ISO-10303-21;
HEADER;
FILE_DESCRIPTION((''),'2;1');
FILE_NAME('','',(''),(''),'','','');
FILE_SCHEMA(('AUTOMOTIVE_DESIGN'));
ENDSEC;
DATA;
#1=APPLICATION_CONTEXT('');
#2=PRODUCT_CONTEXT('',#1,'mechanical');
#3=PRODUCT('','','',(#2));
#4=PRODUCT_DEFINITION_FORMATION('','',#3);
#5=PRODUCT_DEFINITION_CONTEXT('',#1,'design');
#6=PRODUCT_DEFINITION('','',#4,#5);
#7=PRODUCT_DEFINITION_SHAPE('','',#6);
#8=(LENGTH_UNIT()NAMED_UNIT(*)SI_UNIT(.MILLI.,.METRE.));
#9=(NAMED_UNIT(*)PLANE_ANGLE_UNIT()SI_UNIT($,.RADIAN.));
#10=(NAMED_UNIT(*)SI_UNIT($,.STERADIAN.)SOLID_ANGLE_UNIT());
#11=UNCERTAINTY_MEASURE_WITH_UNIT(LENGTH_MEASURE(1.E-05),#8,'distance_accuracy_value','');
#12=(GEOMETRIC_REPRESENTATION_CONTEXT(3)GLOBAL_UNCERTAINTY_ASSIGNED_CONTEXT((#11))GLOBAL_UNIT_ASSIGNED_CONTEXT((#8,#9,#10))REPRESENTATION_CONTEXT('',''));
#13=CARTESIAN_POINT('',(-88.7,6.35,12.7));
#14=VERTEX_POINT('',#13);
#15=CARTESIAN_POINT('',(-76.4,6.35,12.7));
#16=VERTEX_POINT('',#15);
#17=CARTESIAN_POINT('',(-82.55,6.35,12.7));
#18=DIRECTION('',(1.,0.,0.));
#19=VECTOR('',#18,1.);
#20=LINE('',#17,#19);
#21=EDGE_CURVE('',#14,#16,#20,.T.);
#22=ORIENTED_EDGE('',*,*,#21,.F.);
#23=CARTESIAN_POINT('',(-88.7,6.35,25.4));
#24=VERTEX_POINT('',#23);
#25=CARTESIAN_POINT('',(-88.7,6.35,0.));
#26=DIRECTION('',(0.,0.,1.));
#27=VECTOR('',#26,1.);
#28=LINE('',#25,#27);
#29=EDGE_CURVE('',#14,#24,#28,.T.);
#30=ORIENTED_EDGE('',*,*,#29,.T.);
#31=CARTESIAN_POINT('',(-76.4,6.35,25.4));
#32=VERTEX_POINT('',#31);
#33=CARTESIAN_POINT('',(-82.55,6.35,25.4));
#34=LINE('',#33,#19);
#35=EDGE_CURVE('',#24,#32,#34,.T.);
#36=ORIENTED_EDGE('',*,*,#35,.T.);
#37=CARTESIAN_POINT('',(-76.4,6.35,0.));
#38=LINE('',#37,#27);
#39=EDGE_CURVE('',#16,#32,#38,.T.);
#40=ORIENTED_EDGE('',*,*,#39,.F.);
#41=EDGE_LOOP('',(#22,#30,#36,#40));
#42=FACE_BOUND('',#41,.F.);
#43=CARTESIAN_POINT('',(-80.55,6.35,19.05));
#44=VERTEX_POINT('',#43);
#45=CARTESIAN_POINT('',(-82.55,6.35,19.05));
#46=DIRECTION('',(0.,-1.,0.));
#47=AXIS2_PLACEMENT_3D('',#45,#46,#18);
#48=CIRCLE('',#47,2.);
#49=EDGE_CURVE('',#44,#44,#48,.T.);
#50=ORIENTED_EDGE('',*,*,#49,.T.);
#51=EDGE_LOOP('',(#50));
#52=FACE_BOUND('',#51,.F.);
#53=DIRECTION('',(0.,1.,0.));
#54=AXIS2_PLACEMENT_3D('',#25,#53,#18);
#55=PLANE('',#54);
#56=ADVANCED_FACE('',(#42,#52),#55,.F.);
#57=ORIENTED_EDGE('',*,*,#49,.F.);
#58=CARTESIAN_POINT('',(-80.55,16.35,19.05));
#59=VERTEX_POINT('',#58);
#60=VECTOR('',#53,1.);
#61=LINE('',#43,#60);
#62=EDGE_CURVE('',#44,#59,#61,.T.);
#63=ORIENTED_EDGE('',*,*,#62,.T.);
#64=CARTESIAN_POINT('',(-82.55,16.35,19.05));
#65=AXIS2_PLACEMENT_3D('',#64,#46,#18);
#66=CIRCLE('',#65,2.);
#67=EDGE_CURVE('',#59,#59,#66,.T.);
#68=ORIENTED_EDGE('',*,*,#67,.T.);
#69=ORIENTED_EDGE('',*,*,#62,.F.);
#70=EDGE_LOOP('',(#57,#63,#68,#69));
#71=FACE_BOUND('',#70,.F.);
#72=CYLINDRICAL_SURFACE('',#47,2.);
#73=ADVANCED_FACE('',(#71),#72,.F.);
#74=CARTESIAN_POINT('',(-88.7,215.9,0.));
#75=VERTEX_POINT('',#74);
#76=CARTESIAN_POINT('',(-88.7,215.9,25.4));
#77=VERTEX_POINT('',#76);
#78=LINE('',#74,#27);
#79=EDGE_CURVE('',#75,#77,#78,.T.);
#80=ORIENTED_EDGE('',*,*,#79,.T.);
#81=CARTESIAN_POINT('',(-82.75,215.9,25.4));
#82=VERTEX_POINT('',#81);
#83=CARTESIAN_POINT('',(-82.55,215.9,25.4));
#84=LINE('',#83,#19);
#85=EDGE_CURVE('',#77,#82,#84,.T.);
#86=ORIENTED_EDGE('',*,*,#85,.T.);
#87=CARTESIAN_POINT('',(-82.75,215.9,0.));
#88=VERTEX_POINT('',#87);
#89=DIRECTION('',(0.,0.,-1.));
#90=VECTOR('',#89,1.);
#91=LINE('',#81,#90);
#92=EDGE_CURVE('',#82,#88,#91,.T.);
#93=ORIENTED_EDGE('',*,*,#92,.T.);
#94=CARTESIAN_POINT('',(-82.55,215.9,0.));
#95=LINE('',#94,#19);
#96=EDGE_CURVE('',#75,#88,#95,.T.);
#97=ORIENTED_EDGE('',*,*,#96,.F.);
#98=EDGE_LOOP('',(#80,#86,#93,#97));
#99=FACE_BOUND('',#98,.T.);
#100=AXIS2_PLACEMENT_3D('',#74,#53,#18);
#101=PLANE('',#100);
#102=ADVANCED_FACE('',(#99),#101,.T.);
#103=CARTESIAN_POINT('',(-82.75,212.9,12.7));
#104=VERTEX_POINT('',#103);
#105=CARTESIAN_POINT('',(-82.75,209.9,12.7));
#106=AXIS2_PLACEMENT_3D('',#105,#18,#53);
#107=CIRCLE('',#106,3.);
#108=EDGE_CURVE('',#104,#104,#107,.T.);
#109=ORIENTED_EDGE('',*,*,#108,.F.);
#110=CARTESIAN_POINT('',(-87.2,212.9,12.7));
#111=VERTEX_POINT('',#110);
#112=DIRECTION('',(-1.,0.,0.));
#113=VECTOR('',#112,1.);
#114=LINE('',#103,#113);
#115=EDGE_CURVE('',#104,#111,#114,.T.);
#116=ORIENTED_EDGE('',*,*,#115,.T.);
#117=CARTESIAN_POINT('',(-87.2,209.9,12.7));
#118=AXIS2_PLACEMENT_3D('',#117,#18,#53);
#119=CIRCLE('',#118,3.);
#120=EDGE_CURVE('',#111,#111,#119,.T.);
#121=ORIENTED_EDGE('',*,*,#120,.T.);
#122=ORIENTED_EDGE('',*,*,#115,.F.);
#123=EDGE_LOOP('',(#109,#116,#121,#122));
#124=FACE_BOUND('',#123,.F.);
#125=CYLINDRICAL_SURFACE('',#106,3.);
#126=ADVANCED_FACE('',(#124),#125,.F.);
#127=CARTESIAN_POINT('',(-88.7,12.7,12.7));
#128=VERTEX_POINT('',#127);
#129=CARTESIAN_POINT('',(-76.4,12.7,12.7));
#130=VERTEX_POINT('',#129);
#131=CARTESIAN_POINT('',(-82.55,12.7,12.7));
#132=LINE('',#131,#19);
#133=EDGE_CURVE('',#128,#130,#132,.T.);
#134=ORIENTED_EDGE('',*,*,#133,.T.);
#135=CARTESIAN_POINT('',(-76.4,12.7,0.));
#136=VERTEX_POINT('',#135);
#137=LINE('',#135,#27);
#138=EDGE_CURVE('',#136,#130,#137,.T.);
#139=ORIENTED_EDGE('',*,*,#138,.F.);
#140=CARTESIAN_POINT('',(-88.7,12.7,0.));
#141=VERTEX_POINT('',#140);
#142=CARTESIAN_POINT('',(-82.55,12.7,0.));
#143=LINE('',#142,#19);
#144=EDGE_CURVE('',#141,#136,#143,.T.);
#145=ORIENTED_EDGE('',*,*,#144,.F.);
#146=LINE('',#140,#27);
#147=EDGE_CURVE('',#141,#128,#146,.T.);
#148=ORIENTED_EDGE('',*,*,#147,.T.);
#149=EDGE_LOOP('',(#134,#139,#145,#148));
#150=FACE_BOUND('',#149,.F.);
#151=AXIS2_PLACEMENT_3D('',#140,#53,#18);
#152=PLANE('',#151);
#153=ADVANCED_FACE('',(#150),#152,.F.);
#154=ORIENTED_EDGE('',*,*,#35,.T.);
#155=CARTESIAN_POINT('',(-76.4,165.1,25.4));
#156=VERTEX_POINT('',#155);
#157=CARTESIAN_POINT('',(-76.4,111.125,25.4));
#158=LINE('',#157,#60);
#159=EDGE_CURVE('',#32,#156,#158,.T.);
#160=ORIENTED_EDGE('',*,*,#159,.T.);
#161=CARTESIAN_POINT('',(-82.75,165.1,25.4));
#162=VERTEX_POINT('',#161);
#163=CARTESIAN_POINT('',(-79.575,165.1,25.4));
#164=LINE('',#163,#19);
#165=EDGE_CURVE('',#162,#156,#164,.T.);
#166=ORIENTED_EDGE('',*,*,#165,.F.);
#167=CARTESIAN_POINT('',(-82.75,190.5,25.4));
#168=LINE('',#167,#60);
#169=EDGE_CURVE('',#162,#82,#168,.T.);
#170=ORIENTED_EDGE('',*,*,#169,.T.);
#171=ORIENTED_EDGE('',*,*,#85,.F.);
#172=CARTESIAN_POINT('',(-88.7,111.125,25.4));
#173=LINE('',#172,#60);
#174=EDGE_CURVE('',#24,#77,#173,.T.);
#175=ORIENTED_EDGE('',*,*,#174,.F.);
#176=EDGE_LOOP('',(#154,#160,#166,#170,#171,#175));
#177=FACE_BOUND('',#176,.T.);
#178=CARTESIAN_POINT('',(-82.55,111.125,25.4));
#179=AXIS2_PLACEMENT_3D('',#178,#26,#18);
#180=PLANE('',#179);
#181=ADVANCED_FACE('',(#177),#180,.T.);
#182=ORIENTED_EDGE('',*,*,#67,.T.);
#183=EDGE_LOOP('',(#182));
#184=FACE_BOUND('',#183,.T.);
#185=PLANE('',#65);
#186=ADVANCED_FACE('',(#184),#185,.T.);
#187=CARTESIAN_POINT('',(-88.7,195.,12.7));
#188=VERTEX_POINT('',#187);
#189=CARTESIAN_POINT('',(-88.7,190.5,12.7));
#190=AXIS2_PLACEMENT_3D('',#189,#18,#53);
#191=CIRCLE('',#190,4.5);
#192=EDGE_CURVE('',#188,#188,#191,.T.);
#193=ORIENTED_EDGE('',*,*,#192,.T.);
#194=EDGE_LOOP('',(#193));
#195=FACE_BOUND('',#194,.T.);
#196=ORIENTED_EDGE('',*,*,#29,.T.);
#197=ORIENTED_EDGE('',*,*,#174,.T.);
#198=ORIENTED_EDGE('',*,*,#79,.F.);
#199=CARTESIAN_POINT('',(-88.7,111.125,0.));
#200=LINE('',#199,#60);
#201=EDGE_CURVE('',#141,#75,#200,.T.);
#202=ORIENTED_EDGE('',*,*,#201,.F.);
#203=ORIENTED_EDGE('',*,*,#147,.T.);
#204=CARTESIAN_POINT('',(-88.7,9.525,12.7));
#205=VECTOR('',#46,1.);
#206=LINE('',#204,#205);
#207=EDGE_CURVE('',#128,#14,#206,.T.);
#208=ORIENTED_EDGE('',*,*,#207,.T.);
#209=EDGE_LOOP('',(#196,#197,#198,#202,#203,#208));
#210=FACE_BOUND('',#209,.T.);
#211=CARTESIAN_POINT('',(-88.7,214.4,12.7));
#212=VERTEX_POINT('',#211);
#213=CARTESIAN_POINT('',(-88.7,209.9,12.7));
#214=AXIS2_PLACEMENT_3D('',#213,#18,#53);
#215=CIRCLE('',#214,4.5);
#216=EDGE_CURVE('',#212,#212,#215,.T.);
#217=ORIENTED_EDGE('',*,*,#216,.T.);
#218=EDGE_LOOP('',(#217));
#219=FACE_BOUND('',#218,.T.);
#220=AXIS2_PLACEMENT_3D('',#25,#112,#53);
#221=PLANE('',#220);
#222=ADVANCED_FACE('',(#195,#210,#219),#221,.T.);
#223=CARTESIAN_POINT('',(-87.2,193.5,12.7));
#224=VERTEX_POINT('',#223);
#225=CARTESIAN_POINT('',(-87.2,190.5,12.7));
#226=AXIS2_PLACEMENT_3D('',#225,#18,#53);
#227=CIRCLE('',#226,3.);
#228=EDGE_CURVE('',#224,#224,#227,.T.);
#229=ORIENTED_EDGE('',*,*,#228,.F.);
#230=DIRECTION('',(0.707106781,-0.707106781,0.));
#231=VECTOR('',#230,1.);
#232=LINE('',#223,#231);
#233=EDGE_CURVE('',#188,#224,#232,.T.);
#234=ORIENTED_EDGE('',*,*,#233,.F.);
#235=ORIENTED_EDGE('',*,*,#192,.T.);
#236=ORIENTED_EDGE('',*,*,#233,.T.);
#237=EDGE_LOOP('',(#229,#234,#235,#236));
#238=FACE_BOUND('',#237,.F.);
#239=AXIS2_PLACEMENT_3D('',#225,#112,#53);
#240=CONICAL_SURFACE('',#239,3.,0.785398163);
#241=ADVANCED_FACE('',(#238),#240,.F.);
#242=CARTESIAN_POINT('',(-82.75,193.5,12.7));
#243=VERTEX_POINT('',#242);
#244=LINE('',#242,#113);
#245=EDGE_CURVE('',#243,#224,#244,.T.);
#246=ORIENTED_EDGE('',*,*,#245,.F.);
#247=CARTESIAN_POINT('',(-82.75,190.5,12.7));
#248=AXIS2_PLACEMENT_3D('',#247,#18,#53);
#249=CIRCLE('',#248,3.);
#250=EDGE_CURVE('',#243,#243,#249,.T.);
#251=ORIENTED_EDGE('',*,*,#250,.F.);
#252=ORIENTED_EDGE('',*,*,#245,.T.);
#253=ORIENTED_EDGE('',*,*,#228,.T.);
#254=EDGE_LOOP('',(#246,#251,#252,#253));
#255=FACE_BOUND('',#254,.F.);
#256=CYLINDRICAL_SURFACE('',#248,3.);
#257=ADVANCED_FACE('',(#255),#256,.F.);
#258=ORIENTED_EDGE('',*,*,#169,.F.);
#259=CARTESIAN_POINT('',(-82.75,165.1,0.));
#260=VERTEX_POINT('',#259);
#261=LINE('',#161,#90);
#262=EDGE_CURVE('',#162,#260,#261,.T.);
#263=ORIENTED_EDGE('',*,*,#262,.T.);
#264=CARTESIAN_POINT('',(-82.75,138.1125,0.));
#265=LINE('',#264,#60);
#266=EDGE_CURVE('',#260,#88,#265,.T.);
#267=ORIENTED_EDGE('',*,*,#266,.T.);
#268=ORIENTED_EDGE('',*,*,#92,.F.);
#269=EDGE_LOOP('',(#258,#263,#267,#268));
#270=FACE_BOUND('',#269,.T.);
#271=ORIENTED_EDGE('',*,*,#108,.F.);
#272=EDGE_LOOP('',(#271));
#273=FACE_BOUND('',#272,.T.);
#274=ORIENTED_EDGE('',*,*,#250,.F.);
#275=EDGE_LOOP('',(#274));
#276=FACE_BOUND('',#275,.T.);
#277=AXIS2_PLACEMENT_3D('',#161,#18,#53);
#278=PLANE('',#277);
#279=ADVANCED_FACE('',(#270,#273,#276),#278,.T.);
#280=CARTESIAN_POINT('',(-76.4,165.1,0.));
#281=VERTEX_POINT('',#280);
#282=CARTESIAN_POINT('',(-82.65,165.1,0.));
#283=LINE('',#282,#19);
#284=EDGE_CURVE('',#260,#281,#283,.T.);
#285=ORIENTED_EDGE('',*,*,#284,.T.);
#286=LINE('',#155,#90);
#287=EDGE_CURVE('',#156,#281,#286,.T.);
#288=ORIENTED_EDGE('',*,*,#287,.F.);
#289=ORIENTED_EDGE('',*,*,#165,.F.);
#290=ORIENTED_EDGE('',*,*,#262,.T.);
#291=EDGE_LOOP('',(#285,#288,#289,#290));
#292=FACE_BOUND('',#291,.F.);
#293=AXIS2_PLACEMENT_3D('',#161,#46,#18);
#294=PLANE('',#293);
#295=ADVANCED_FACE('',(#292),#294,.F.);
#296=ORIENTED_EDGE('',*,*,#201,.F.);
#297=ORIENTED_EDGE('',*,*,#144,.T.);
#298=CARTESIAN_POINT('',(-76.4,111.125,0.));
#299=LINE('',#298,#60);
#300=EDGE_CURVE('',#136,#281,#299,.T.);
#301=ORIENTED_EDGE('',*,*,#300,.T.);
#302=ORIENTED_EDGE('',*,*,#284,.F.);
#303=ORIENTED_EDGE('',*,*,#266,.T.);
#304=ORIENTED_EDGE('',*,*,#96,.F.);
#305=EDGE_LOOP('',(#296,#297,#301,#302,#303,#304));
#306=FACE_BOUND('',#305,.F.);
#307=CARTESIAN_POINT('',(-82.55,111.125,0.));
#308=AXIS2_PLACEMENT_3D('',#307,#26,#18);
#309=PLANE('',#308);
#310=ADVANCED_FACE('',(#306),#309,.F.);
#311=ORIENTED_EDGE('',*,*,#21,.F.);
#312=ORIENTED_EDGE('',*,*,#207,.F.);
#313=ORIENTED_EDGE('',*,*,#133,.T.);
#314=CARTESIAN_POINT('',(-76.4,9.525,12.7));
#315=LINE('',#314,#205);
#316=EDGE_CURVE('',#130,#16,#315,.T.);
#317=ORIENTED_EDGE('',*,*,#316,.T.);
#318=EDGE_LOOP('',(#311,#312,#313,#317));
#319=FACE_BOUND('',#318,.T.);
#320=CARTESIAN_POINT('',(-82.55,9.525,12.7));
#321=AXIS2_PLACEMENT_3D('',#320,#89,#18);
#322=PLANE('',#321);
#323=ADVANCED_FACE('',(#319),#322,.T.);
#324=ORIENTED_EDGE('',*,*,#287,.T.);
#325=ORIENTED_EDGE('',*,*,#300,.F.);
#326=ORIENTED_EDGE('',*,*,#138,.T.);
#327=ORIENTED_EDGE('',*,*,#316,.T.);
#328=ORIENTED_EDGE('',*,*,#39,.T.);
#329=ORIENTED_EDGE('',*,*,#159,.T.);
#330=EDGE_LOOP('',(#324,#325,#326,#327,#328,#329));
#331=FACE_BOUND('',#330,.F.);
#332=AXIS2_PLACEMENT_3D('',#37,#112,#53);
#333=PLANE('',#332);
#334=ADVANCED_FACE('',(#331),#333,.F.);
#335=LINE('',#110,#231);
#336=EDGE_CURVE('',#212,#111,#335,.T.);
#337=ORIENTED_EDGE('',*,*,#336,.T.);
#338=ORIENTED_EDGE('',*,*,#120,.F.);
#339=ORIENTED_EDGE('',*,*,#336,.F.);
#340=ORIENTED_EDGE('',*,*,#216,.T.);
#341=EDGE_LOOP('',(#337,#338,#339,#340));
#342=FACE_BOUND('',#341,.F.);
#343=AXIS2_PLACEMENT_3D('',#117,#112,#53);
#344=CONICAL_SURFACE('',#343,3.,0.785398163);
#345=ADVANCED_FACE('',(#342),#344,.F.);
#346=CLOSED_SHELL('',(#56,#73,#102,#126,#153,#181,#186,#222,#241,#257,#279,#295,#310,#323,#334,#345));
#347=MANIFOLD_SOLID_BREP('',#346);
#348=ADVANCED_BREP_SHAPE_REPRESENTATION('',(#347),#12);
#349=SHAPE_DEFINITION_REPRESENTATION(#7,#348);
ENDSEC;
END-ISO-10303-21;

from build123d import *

# Parameters (mm, degrees)
SKETCH014_W     = 12.3
SKETCH014_H     = 209.55
PAD003_DEPTH    = 25.4
SKETCH015_W     = 12.3
SKETCH015_H     = 6.35
POCKET011_DEPTH = 12.7
SKETCH016_R     = 2
POCKET012_DEPTH = 10
SKETCH017_W     = 6.35
SKETCH017_H     = 50.8
POCKET013_DEPTH = 25.401
SKETCH018_R     = 3
POCKET014_DEPTH = 5.951
CHAMFER003_SIZE = 1.5


with BuildPart() as part:
    # Sketch014 → Pad003 (new body)
    with BuildSketch(Plane.XY):
        with Locations((-82.55, 111.125)):
            Rectangle(SKETCH014_W, SKETCH014_H)
    extrude(amount=PAD003_DEPTH)

    # Sketch015 (on Face5 of Pad003) → Pocket011 (cut)
    with BuildSketch(Plane(origin=(0, 0, 0), x_dir=(1, 0, 0), z_dir=(0, 0, -1))):
        with Locations((-82.55, -9.525)):
            Rectangle(SKETCH015_W, SKETCH015_H)
    extrude(amount=-POCKET011_DEPTH, mode=Mode.SUBTRACT)

    # Sketch016 (on Face1 of Pocket011) → Pocket012 (cut)
    with BuildSketch(Plane.XZ.offset(-6.35)):
        with Locations((-82.55, 19.05)):
            Circle(SKETCH016_R)
    extrude(amount=-POCKET012_DEPTH, mode=Mode.SUBTRACT)

    # Sketch017 (on Face5 of Pocket012) → Pocket013 (cut, through all)
    with BuildSketch(Plane.XY.offset(25.4)):
        with Locations((-79.575, 190.5)):
            Rectangle(SKETCH017_W, SKETCH017_H)
    extrude(amount=-POCKET013_DEPTH, mode=Mode.SUBTRACT)

    # Sketch018 (on Face11 of Pocket013) → Pocket014 (cut, through all)
    with BuildSketch(Plane.YZ.offset(-82.75)):
        with Locations((190.5, 12.7)):
            Circle(SKETCH018_R)
        with Locations((209.9, 12.7)):
            Circle(SKETCH018_R)
    extrude(amount=-POCKET014_DEPTH, mode=Mode.SUBTRACT)

    # Chamfer003
    chamfer003_edges = [part.edges().sort_by_distance(p)[0] for p in [
        (-88.7, 187.5, 12.7),
        (-88.7, 206.9, 12.7),
    ]]
    chamfer(chamfer003_edges, length=CHAMFER003_SIZE)


solid = part.part
